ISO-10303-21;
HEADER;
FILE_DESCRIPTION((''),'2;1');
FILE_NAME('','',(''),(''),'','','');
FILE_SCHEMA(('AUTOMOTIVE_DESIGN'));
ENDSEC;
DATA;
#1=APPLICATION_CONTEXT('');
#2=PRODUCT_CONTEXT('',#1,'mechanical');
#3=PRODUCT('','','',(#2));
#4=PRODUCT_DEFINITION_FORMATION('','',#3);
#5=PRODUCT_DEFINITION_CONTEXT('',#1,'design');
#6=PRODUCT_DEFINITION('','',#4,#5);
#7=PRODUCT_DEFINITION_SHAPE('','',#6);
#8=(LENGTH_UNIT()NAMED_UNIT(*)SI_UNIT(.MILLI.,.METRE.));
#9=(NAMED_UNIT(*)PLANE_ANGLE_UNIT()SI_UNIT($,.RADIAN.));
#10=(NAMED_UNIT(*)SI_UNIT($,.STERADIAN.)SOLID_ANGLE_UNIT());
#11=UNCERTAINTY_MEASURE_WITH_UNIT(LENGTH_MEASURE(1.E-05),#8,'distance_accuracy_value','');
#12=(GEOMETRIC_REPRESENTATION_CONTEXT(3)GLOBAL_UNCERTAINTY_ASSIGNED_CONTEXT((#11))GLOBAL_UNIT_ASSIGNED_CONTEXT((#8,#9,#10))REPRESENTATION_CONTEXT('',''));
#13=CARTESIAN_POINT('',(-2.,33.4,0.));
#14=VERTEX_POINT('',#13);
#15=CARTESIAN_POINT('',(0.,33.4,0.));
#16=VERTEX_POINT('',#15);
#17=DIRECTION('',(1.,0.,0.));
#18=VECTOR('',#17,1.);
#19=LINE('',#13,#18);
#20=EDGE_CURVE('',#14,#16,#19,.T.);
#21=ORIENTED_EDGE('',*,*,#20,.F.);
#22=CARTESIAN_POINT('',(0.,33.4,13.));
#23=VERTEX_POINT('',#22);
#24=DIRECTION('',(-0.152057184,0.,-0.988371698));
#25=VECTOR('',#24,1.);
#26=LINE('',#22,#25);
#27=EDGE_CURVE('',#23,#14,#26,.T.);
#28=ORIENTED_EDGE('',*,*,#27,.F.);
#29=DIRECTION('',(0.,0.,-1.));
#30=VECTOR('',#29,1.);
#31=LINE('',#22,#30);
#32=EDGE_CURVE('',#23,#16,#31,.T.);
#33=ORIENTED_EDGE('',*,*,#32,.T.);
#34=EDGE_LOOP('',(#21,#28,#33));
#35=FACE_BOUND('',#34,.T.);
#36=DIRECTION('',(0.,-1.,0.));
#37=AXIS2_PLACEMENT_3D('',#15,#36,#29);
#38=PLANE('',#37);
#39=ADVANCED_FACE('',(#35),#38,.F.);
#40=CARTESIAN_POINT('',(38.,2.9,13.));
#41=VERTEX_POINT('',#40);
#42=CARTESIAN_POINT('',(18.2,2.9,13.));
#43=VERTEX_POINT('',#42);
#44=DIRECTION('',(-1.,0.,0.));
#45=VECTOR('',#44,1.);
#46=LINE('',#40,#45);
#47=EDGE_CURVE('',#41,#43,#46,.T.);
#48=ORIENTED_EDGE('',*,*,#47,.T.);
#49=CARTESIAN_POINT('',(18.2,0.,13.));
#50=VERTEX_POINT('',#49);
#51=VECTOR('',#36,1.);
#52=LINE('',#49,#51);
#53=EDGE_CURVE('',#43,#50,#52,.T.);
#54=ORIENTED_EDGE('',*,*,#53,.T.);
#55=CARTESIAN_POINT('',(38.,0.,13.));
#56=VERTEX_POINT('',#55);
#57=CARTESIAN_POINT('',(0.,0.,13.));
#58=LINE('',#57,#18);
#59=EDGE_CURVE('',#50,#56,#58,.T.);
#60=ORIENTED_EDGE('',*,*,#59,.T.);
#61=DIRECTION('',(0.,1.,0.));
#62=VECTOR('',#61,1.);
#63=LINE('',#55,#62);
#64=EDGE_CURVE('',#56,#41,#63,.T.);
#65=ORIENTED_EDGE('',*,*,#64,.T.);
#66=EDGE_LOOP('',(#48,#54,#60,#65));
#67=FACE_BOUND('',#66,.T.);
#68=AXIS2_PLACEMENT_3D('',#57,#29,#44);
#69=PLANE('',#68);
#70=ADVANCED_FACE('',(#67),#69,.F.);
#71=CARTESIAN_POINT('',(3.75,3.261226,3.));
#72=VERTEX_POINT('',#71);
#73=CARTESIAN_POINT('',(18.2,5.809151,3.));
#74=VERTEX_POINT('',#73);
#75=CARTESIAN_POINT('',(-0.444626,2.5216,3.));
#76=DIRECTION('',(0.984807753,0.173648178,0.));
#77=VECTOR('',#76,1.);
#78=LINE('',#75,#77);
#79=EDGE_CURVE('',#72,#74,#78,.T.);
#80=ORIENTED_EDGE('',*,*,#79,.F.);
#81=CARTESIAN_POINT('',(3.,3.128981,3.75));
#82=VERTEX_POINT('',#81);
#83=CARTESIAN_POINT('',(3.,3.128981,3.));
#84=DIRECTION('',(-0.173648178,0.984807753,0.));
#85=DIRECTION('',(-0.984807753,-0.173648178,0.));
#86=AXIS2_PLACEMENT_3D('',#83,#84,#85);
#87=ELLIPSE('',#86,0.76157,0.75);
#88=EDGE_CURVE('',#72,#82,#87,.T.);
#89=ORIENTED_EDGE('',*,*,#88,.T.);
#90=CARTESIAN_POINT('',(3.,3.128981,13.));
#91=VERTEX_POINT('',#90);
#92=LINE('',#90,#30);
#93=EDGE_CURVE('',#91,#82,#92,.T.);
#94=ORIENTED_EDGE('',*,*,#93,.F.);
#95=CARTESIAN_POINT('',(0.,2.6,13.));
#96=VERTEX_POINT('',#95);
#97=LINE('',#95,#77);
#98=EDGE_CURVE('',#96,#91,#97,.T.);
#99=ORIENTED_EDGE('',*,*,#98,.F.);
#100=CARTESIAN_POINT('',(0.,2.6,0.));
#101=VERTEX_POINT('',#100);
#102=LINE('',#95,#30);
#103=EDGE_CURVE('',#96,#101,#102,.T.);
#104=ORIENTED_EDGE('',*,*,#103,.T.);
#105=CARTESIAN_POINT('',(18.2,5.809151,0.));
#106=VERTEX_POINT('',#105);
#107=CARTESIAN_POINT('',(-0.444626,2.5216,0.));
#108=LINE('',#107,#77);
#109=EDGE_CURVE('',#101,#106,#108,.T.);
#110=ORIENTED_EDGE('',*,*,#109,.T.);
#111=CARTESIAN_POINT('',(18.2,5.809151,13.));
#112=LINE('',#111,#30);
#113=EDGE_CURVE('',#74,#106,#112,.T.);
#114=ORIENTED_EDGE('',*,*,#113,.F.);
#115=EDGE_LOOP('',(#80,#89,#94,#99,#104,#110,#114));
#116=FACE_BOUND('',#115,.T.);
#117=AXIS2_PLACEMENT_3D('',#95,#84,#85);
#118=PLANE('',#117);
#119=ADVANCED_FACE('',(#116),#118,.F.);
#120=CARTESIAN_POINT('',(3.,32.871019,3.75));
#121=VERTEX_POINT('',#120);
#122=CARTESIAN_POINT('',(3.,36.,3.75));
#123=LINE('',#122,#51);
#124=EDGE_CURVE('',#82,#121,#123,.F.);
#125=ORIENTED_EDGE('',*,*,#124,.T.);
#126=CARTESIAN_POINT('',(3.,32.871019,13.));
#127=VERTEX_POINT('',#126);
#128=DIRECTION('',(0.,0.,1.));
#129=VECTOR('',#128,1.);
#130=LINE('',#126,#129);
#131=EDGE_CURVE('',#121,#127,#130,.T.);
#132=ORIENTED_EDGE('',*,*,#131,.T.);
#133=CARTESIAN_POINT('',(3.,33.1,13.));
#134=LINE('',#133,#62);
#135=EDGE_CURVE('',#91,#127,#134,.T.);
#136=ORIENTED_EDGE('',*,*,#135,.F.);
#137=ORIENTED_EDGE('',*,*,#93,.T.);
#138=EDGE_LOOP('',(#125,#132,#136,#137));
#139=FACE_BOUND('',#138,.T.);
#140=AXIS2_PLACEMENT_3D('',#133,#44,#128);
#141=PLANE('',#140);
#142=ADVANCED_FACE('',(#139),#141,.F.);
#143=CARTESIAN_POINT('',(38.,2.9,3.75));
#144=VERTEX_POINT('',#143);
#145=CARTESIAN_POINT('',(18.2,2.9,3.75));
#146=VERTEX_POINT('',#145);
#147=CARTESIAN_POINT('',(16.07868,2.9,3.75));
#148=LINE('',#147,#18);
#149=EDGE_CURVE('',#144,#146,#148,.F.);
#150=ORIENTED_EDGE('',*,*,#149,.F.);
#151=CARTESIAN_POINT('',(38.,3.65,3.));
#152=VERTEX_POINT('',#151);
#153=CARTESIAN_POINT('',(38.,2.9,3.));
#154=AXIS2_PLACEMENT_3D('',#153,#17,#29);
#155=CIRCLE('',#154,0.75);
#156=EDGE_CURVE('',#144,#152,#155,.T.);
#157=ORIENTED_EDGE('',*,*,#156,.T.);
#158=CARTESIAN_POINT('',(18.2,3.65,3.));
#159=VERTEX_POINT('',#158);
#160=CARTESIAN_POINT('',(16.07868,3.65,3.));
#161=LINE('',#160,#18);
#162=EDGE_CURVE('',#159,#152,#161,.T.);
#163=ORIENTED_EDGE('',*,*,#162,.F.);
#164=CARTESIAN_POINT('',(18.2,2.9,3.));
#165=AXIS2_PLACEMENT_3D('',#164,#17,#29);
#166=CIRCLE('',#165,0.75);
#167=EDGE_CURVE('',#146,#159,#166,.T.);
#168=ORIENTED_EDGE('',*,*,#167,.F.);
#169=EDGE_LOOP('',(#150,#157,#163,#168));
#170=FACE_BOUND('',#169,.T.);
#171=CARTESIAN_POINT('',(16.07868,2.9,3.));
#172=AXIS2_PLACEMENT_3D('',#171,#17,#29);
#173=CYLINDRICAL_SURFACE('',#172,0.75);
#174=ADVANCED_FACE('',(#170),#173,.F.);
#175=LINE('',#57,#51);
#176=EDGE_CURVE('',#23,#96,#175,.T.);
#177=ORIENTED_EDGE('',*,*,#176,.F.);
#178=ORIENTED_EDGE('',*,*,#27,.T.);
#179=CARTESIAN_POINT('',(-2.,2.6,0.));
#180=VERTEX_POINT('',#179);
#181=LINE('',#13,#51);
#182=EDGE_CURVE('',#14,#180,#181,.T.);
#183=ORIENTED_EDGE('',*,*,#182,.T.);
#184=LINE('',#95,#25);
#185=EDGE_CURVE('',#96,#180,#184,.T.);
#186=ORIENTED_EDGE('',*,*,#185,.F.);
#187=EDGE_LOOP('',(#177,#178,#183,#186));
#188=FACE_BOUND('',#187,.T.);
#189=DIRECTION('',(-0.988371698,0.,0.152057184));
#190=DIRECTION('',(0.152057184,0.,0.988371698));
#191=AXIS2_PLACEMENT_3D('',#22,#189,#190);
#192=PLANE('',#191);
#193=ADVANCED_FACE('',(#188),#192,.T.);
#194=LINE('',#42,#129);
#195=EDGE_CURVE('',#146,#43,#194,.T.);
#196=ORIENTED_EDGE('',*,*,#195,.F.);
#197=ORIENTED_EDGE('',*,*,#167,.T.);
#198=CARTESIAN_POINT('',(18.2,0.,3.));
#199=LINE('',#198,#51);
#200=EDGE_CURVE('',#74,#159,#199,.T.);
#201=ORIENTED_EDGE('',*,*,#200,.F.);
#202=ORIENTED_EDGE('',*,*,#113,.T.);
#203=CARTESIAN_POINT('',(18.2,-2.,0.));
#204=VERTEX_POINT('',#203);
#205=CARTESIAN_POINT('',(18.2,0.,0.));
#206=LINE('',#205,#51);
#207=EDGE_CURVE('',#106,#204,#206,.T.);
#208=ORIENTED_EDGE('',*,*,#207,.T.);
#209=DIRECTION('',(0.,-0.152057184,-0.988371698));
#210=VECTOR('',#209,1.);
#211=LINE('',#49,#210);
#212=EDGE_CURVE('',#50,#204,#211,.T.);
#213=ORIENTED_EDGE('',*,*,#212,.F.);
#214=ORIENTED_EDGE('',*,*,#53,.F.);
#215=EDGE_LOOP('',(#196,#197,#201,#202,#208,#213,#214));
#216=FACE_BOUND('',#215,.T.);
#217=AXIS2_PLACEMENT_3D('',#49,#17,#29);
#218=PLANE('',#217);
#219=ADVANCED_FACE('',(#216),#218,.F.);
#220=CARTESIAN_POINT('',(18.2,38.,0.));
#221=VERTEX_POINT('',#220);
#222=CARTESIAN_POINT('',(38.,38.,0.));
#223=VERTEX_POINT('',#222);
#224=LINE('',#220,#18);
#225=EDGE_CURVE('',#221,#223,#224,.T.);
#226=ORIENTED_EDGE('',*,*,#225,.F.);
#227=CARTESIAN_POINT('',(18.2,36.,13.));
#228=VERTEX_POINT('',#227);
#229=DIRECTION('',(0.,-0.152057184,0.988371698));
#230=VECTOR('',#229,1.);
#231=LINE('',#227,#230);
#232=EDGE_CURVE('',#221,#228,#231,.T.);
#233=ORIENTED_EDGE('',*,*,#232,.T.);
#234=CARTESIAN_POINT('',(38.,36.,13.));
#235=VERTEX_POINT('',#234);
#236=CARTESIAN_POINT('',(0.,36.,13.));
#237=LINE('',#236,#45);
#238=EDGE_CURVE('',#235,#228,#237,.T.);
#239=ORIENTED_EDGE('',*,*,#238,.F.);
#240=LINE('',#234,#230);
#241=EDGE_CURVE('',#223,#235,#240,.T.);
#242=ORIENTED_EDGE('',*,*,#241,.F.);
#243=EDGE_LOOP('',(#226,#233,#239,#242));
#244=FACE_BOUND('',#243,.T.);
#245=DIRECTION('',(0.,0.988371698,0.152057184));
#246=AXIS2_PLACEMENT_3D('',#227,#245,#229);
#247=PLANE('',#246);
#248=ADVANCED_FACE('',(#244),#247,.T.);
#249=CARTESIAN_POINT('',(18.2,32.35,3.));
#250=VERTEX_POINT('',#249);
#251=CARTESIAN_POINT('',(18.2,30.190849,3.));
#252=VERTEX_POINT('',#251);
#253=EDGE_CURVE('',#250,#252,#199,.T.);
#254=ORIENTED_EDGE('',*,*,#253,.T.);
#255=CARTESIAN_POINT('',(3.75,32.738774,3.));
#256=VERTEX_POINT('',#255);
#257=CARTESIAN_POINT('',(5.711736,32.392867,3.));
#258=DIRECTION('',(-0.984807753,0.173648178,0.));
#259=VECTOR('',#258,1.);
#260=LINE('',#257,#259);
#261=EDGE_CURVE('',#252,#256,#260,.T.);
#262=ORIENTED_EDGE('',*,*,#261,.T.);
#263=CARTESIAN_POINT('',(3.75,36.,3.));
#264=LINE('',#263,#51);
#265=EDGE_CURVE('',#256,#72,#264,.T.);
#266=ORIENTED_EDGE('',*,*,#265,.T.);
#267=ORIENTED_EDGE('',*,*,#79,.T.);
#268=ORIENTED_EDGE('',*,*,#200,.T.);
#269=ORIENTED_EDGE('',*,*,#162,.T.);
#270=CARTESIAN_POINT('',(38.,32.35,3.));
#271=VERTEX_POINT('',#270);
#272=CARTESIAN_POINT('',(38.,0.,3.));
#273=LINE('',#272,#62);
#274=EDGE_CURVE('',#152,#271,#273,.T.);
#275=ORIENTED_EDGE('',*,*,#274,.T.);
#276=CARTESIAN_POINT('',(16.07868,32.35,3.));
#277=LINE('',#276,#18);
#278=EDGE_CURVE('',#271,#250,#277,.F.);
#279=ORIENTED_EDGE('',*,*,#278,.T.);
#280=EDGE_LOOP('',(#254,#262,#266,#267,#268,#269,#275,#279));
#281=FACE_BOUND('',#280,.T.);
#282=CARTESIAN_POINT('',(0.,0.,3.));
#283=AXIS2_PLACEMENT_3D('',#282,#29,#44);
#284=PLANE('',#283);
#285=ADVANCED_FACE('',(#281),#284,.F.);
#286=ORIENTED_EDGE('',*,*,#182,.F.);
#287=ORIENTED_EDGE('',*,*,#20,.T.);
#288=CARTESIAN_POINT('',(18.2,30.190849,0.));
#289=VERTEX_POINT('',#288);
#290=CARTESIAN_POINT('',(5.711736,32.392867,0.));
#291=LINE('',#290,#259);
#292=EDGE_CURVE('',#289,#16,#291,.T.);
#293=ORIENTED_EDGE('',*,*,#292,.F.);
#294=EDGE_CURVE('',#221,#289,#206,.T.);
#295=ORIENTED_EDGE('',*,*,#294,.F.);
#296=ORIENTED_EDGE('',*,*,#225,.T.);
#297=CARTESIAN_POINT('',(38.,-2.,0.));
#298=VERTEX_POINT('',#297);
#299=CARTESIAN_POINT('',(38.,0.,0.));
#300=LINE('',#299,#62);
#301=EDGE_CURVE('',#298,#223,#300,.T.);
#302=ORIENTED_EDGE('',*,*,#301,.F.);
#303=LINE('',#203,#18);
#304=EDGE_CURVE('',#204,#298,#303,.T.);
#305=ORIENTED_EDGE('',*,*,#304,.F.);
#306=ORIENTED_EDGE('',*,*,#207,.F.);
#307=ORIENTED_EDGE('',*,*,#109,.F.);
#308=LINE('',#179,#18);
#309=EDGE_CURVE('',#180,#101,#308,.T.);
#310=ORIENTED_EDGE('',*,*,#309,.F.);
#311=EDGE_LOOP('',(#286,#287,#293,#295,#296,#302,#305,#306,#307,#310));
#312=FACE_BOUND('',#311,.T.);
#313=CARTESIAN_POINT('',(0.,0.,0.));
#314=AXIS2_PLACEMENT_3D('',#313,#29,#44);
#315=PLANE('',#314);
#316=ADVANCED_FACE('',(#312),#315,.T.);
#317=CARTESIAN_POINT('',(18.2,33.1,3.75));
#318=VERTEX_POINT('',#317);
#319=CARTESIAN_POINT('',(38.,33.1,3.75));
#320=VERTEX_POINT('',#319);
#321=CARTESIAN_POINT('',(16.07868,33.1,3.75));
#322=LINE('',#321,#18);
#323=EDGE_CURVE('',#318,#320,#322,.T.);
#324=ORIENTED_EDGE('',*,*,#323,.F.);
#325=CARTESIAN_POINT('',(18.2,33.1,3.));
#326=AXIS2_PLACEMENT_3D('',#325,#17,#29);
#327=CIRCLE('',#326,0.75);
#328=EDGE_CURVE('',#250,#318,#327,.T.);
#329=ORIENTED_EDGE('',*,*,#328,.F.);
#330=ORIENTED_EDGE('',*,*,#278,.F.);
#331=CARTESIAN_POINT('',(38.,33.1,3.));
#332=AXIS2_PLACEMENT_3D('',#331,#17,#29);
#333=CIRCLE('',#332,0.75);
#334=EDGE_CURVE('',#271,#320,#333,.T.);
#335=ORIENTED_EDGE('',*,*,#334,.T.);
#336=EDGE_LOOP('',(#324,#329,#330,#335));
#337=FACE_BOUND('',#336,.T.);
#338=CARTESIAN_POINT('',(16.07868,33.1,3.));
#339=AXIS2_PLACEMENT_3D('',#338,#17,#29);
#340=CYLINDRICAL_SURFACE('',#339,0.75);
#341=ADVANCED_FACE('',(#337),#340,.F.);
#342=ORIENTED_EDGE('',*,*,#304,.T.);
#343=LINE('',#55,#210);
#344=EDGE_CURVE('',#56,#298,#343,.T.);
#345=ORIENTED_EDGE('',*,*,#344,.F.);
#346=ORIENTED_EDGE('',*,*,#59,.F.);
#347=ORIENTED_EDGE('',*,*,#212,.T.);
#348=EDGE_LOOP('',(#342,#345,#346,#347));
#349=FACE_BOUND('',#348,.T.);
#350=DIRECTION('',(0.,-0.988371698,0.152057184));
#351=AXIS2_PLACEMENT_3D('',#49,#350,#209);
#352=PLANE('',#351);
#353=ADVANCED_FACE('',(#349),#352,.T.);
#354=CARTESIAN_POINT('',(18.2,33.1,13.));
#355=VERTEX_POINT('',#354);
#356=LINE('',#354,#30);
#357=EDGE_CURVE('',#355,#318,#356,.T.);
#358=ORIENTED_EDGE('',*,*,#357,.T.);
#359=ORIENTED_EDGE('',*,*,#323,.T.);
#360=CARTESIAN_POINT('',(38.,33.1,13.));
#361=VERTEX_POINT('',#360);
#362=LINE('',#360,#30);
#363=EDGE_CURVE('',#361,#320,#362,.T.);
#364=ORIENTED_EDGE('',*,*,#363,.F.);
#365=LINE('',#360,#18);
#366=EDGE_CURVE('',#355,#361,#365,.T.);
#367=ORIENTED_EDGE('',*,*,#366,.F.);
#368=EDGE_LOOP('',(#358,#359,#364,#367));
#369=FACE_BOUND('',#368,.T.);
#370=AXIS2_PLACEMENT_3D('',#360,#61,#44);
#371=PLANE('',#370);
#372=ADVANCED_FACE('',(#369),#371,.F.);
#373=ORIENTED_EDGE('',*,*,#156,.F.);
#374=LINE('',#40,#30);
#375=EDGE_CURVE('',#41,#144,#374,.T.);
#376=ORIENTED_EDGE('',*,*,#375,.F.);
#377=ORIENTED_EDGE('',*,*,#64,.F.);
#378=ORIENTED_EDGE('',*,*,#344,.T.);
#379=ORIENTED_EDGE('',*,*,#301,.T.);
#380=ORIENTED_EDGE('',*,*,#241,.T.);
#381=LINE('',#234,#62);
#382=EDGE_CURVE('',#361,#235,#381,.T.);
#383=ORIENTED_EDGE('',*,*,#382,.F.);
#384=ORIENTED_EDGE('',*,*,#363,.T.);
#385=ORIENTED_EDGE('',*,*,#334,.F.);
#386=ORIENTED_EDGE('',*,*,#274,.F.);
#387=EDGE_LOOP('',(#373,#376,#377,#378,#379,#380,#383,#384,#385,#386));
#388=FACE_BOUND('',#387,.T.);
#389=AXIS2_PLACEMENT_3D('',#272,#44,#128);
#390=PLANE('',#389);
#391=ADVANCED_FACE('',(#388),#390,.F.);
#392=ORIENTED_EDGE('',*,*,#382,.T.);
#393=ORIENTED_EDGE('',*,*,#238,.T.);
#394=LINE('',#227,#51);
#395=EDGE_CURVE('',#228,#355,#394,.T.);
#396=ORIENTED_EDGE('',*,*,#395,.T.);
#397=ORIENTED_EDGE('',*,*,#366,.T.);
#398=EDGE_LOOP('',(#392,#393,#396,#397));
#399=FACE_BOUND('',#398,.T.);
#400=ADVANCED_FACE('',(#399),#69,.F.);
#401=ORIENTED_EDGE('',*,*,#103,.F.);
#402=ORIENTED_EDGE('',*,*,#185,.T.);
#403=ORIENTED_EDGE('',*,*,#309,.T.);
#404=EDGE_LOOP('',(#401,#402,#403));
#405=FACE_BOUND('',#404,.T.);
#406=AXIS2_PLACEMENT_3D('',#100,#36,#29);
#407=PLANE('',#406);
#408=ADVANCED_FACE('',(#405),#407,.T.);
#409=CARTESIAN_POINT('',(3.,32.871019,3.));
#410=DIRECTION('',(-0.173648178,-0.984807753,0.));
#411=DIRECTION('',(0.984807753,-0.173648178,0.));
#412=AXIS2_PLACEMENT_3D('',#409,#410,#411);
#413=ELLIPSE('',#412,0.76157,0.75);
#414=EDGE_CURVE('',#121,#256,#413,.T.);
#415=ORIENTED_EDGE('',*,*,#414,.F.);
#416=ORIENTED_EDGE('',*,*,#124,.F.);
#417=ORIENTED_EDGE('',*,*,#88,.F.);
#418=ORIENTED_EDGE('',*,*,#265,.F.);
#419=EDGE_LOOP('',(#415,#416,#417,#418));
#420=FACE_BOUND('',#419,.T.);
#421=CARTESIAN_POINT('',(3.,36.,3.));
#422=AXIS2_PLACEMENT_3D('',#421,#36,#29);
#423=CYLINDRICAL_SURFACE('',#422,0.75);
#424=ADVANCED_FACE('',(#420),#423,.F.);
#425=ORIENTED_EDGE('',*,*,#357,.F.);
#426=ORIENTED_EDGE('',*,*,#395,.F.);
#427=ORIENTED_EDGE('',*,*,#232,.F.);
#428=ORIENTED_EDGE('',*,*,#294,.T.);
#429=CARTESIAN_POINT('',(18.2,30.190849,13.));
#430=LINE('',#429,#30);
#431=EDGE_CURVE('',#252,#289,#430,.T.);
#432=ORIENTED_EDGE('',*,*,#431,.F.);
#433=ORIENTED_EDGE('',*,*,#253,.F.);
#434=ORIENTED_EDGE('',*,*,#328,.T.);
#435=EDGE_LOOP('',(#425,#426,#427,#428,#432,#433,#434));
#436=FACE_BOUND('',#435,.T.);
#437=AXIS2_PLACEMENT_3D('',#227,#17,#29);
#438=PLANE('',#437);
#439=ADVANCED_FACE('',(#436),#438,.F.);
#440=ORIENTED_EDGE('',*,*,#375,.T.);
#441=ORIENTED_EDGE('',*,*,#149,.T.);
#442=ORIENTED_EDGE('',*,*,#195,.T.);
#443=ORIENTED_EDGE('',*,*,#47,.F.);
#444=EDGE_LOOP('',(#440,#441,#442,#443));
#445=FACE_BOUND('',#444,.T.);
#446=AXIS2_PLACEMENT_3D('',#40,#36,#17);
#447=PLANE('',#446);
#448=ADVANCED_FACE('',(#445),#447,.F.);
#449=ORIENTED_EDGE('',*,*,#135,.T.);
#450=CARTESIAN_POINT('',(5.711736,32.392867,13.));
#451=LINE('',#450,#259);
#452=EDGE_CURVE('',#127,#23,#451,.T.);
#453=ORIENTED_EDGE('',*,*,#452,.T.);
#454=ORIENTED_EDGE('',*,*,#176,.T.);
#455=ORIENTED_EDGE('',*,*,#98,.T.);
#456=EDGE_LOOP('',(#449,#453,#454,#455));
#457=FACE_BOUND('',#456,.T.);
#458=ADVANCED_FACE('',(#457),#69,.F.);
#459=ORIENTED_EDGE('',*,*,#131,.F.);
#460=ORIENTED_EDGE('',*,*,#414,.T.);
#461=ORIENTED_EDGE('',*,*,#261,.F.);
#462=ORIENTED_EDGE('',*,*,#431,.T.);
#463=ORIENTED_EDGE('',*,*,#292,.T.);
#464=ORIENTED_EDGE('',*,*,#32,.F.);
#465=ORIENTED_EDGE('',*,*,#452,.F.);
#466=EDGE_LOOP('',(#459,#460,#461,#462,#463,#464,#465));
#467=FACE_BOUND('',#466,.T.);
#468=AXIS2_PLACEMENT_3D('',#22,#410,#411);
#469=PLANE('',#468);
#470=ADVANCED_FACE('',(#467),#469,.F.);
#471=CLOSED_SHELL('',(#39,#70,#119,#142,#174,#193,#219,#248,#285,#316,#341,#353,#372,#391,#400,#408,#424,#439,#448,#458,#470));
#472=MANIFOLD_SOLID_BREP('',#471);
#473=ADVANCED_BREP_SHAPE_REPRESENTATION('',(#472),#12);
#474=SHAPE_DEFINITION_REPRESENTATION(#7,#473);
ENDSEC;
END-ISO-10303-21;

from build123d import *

# Parameters (mm, degrees)
ESQUISSE1_W                  = 38
ESQUISSE1_H                  = 36
BOSS_EXTRU_1_DEPTH           = 3
BOSS_EXTRU_2_DEPTH           = 10
ENL_V_MAT_EXTRU_1_DEPTH      = 54.935146241
ENL_V_MAT_EXTRU_1_DEPTH_BACK = 54.935146241
ESQUISSE4_R                  = 0.75
ENL_V_MAT_EXTRU_2_DEPTH      = 19.8
ENL_V_MAT_EXTRU_3_DEPTH      = 54.935146241
ENL_V_MAT_EXTRU_3_DEPTH_BACK = 54.935146241
ESQUISSE5_R                  = 0.75
BOSS_EXTRU_3_START           = -2.6
BOSS_EXTRU_3_DEPTH           = 30.8
BOSS_EXTRU_4_START           = -19.8
BOSS_EXTRU_4_DEPTH           = 19.8


with BuildPart() as part:
    # Esquisse1 → Boss.-Extru.1 (new body)
    with BuildSketch(Plane.XY):
        with Locations((19, 18)):
            Rectangle(ESQUISSE1_W, ESQUISSE1_H)
    extrude(amount=BOSS_EXTRU_1_DEPTH)

    # Esquisse2 → Boss.-Extru.2 (add)
    with BuildSketch(Plane.XY.offset(3)):
        Polygon((38, 33.1), (3, 33.1), (3, 2.9), (38, 2.9), (38, 0), (0, 0), (0, 36), (38, 36), align=None)
    extrude(amount=BOSS_EXTRU_2_DEPTH)

    # Esquisse3 → Enlèv. mat.-Extru.1 (cut, two sides: drawn at the far end of the back side and taken through both)
    with BuildSketch(Plane(origin=(0, 0, 0), x_dir=(-1, 0, 0), z_dir=(0, 0, -1)).offset(-ENL_V_MAT_EXTRU_1_DEPTH_BACK)):
        Polygon((0, 2.6), (0, 0), (-18.2, 0), (-18.2, 5.809151049), align=None)
        Polygon((-18.2, 36), (-18.2, 30.190848951), (0, 33.4), (0, 36), align=None)
    extrude(amount=ENL_V_MAT_EXTRU_1_DEPTH + ENL_V_MAT_EXTRU_1_DEPTH_BACK, mode=Mode.SUBTRACT)

    # Esquisse4 → Enlèv. mat.-Extru.2 (cut)
    with BuildSketch(Plane(origin=(38, 0, 0), x_dir=(0, 0, -1), z_dir=(1, 0, 0))):
        with Locations((-3, 2.9)):
            Circle(ESQUISSE4_R)
        with Locations((-3, 33.1)):
            Circle(ESQUISSE4_R)
    extrude(amount=-ENL_V_MAT_EXTRU_2_DEPTH, mode=Mode.SUBTRACT)

    # Esquisse5 → Enlèv. mat.-Extru.3 (cut, two sides: drawn at the far end of the back side and taken through both)
    with BuildSketch(Plane.XZ.offset(-ENL_V_MAT_EXTRU_3_DEPTH_BACK)):
        with Locations((3, 3)):
            Circle(ESQUISSE5_R)
    extrude(amount=ENL_V_MAT_EXTRU_3_DEPTH + ENL_V_MAT_EXTRU_3_DEPTH_BACK, mode=Mode.SUBTRACT)

    # Esquisse6 → Boss.-Extru.3 (add)
    with BuildSketch(Plane.XZ.offset(BOSS_EXTRU_3_START)):
        Polygon((0, 0), (0, 13), (-2, 0), align=None)
    extrude(amount=-BOSS_EXTRU_3_DEPTH)

    # Esquisse7 → Boss.-Extru.4 (add)
    with BuildSketch(Plane(origin=(38, 0, 0), x_dir=(0, 0, -1), z_dir=(1, 0, 0)).offset(BOSS_EXTRU_4_START)):
        Polygon((0, 0), (-13, 0), (0, -2), align=None)
        Polygon((0, 38), (0, 36), (-13, 36), align=None)
    extrude(amount=BOSS_EXTRU_4_DEPTH)


solid = part.part
